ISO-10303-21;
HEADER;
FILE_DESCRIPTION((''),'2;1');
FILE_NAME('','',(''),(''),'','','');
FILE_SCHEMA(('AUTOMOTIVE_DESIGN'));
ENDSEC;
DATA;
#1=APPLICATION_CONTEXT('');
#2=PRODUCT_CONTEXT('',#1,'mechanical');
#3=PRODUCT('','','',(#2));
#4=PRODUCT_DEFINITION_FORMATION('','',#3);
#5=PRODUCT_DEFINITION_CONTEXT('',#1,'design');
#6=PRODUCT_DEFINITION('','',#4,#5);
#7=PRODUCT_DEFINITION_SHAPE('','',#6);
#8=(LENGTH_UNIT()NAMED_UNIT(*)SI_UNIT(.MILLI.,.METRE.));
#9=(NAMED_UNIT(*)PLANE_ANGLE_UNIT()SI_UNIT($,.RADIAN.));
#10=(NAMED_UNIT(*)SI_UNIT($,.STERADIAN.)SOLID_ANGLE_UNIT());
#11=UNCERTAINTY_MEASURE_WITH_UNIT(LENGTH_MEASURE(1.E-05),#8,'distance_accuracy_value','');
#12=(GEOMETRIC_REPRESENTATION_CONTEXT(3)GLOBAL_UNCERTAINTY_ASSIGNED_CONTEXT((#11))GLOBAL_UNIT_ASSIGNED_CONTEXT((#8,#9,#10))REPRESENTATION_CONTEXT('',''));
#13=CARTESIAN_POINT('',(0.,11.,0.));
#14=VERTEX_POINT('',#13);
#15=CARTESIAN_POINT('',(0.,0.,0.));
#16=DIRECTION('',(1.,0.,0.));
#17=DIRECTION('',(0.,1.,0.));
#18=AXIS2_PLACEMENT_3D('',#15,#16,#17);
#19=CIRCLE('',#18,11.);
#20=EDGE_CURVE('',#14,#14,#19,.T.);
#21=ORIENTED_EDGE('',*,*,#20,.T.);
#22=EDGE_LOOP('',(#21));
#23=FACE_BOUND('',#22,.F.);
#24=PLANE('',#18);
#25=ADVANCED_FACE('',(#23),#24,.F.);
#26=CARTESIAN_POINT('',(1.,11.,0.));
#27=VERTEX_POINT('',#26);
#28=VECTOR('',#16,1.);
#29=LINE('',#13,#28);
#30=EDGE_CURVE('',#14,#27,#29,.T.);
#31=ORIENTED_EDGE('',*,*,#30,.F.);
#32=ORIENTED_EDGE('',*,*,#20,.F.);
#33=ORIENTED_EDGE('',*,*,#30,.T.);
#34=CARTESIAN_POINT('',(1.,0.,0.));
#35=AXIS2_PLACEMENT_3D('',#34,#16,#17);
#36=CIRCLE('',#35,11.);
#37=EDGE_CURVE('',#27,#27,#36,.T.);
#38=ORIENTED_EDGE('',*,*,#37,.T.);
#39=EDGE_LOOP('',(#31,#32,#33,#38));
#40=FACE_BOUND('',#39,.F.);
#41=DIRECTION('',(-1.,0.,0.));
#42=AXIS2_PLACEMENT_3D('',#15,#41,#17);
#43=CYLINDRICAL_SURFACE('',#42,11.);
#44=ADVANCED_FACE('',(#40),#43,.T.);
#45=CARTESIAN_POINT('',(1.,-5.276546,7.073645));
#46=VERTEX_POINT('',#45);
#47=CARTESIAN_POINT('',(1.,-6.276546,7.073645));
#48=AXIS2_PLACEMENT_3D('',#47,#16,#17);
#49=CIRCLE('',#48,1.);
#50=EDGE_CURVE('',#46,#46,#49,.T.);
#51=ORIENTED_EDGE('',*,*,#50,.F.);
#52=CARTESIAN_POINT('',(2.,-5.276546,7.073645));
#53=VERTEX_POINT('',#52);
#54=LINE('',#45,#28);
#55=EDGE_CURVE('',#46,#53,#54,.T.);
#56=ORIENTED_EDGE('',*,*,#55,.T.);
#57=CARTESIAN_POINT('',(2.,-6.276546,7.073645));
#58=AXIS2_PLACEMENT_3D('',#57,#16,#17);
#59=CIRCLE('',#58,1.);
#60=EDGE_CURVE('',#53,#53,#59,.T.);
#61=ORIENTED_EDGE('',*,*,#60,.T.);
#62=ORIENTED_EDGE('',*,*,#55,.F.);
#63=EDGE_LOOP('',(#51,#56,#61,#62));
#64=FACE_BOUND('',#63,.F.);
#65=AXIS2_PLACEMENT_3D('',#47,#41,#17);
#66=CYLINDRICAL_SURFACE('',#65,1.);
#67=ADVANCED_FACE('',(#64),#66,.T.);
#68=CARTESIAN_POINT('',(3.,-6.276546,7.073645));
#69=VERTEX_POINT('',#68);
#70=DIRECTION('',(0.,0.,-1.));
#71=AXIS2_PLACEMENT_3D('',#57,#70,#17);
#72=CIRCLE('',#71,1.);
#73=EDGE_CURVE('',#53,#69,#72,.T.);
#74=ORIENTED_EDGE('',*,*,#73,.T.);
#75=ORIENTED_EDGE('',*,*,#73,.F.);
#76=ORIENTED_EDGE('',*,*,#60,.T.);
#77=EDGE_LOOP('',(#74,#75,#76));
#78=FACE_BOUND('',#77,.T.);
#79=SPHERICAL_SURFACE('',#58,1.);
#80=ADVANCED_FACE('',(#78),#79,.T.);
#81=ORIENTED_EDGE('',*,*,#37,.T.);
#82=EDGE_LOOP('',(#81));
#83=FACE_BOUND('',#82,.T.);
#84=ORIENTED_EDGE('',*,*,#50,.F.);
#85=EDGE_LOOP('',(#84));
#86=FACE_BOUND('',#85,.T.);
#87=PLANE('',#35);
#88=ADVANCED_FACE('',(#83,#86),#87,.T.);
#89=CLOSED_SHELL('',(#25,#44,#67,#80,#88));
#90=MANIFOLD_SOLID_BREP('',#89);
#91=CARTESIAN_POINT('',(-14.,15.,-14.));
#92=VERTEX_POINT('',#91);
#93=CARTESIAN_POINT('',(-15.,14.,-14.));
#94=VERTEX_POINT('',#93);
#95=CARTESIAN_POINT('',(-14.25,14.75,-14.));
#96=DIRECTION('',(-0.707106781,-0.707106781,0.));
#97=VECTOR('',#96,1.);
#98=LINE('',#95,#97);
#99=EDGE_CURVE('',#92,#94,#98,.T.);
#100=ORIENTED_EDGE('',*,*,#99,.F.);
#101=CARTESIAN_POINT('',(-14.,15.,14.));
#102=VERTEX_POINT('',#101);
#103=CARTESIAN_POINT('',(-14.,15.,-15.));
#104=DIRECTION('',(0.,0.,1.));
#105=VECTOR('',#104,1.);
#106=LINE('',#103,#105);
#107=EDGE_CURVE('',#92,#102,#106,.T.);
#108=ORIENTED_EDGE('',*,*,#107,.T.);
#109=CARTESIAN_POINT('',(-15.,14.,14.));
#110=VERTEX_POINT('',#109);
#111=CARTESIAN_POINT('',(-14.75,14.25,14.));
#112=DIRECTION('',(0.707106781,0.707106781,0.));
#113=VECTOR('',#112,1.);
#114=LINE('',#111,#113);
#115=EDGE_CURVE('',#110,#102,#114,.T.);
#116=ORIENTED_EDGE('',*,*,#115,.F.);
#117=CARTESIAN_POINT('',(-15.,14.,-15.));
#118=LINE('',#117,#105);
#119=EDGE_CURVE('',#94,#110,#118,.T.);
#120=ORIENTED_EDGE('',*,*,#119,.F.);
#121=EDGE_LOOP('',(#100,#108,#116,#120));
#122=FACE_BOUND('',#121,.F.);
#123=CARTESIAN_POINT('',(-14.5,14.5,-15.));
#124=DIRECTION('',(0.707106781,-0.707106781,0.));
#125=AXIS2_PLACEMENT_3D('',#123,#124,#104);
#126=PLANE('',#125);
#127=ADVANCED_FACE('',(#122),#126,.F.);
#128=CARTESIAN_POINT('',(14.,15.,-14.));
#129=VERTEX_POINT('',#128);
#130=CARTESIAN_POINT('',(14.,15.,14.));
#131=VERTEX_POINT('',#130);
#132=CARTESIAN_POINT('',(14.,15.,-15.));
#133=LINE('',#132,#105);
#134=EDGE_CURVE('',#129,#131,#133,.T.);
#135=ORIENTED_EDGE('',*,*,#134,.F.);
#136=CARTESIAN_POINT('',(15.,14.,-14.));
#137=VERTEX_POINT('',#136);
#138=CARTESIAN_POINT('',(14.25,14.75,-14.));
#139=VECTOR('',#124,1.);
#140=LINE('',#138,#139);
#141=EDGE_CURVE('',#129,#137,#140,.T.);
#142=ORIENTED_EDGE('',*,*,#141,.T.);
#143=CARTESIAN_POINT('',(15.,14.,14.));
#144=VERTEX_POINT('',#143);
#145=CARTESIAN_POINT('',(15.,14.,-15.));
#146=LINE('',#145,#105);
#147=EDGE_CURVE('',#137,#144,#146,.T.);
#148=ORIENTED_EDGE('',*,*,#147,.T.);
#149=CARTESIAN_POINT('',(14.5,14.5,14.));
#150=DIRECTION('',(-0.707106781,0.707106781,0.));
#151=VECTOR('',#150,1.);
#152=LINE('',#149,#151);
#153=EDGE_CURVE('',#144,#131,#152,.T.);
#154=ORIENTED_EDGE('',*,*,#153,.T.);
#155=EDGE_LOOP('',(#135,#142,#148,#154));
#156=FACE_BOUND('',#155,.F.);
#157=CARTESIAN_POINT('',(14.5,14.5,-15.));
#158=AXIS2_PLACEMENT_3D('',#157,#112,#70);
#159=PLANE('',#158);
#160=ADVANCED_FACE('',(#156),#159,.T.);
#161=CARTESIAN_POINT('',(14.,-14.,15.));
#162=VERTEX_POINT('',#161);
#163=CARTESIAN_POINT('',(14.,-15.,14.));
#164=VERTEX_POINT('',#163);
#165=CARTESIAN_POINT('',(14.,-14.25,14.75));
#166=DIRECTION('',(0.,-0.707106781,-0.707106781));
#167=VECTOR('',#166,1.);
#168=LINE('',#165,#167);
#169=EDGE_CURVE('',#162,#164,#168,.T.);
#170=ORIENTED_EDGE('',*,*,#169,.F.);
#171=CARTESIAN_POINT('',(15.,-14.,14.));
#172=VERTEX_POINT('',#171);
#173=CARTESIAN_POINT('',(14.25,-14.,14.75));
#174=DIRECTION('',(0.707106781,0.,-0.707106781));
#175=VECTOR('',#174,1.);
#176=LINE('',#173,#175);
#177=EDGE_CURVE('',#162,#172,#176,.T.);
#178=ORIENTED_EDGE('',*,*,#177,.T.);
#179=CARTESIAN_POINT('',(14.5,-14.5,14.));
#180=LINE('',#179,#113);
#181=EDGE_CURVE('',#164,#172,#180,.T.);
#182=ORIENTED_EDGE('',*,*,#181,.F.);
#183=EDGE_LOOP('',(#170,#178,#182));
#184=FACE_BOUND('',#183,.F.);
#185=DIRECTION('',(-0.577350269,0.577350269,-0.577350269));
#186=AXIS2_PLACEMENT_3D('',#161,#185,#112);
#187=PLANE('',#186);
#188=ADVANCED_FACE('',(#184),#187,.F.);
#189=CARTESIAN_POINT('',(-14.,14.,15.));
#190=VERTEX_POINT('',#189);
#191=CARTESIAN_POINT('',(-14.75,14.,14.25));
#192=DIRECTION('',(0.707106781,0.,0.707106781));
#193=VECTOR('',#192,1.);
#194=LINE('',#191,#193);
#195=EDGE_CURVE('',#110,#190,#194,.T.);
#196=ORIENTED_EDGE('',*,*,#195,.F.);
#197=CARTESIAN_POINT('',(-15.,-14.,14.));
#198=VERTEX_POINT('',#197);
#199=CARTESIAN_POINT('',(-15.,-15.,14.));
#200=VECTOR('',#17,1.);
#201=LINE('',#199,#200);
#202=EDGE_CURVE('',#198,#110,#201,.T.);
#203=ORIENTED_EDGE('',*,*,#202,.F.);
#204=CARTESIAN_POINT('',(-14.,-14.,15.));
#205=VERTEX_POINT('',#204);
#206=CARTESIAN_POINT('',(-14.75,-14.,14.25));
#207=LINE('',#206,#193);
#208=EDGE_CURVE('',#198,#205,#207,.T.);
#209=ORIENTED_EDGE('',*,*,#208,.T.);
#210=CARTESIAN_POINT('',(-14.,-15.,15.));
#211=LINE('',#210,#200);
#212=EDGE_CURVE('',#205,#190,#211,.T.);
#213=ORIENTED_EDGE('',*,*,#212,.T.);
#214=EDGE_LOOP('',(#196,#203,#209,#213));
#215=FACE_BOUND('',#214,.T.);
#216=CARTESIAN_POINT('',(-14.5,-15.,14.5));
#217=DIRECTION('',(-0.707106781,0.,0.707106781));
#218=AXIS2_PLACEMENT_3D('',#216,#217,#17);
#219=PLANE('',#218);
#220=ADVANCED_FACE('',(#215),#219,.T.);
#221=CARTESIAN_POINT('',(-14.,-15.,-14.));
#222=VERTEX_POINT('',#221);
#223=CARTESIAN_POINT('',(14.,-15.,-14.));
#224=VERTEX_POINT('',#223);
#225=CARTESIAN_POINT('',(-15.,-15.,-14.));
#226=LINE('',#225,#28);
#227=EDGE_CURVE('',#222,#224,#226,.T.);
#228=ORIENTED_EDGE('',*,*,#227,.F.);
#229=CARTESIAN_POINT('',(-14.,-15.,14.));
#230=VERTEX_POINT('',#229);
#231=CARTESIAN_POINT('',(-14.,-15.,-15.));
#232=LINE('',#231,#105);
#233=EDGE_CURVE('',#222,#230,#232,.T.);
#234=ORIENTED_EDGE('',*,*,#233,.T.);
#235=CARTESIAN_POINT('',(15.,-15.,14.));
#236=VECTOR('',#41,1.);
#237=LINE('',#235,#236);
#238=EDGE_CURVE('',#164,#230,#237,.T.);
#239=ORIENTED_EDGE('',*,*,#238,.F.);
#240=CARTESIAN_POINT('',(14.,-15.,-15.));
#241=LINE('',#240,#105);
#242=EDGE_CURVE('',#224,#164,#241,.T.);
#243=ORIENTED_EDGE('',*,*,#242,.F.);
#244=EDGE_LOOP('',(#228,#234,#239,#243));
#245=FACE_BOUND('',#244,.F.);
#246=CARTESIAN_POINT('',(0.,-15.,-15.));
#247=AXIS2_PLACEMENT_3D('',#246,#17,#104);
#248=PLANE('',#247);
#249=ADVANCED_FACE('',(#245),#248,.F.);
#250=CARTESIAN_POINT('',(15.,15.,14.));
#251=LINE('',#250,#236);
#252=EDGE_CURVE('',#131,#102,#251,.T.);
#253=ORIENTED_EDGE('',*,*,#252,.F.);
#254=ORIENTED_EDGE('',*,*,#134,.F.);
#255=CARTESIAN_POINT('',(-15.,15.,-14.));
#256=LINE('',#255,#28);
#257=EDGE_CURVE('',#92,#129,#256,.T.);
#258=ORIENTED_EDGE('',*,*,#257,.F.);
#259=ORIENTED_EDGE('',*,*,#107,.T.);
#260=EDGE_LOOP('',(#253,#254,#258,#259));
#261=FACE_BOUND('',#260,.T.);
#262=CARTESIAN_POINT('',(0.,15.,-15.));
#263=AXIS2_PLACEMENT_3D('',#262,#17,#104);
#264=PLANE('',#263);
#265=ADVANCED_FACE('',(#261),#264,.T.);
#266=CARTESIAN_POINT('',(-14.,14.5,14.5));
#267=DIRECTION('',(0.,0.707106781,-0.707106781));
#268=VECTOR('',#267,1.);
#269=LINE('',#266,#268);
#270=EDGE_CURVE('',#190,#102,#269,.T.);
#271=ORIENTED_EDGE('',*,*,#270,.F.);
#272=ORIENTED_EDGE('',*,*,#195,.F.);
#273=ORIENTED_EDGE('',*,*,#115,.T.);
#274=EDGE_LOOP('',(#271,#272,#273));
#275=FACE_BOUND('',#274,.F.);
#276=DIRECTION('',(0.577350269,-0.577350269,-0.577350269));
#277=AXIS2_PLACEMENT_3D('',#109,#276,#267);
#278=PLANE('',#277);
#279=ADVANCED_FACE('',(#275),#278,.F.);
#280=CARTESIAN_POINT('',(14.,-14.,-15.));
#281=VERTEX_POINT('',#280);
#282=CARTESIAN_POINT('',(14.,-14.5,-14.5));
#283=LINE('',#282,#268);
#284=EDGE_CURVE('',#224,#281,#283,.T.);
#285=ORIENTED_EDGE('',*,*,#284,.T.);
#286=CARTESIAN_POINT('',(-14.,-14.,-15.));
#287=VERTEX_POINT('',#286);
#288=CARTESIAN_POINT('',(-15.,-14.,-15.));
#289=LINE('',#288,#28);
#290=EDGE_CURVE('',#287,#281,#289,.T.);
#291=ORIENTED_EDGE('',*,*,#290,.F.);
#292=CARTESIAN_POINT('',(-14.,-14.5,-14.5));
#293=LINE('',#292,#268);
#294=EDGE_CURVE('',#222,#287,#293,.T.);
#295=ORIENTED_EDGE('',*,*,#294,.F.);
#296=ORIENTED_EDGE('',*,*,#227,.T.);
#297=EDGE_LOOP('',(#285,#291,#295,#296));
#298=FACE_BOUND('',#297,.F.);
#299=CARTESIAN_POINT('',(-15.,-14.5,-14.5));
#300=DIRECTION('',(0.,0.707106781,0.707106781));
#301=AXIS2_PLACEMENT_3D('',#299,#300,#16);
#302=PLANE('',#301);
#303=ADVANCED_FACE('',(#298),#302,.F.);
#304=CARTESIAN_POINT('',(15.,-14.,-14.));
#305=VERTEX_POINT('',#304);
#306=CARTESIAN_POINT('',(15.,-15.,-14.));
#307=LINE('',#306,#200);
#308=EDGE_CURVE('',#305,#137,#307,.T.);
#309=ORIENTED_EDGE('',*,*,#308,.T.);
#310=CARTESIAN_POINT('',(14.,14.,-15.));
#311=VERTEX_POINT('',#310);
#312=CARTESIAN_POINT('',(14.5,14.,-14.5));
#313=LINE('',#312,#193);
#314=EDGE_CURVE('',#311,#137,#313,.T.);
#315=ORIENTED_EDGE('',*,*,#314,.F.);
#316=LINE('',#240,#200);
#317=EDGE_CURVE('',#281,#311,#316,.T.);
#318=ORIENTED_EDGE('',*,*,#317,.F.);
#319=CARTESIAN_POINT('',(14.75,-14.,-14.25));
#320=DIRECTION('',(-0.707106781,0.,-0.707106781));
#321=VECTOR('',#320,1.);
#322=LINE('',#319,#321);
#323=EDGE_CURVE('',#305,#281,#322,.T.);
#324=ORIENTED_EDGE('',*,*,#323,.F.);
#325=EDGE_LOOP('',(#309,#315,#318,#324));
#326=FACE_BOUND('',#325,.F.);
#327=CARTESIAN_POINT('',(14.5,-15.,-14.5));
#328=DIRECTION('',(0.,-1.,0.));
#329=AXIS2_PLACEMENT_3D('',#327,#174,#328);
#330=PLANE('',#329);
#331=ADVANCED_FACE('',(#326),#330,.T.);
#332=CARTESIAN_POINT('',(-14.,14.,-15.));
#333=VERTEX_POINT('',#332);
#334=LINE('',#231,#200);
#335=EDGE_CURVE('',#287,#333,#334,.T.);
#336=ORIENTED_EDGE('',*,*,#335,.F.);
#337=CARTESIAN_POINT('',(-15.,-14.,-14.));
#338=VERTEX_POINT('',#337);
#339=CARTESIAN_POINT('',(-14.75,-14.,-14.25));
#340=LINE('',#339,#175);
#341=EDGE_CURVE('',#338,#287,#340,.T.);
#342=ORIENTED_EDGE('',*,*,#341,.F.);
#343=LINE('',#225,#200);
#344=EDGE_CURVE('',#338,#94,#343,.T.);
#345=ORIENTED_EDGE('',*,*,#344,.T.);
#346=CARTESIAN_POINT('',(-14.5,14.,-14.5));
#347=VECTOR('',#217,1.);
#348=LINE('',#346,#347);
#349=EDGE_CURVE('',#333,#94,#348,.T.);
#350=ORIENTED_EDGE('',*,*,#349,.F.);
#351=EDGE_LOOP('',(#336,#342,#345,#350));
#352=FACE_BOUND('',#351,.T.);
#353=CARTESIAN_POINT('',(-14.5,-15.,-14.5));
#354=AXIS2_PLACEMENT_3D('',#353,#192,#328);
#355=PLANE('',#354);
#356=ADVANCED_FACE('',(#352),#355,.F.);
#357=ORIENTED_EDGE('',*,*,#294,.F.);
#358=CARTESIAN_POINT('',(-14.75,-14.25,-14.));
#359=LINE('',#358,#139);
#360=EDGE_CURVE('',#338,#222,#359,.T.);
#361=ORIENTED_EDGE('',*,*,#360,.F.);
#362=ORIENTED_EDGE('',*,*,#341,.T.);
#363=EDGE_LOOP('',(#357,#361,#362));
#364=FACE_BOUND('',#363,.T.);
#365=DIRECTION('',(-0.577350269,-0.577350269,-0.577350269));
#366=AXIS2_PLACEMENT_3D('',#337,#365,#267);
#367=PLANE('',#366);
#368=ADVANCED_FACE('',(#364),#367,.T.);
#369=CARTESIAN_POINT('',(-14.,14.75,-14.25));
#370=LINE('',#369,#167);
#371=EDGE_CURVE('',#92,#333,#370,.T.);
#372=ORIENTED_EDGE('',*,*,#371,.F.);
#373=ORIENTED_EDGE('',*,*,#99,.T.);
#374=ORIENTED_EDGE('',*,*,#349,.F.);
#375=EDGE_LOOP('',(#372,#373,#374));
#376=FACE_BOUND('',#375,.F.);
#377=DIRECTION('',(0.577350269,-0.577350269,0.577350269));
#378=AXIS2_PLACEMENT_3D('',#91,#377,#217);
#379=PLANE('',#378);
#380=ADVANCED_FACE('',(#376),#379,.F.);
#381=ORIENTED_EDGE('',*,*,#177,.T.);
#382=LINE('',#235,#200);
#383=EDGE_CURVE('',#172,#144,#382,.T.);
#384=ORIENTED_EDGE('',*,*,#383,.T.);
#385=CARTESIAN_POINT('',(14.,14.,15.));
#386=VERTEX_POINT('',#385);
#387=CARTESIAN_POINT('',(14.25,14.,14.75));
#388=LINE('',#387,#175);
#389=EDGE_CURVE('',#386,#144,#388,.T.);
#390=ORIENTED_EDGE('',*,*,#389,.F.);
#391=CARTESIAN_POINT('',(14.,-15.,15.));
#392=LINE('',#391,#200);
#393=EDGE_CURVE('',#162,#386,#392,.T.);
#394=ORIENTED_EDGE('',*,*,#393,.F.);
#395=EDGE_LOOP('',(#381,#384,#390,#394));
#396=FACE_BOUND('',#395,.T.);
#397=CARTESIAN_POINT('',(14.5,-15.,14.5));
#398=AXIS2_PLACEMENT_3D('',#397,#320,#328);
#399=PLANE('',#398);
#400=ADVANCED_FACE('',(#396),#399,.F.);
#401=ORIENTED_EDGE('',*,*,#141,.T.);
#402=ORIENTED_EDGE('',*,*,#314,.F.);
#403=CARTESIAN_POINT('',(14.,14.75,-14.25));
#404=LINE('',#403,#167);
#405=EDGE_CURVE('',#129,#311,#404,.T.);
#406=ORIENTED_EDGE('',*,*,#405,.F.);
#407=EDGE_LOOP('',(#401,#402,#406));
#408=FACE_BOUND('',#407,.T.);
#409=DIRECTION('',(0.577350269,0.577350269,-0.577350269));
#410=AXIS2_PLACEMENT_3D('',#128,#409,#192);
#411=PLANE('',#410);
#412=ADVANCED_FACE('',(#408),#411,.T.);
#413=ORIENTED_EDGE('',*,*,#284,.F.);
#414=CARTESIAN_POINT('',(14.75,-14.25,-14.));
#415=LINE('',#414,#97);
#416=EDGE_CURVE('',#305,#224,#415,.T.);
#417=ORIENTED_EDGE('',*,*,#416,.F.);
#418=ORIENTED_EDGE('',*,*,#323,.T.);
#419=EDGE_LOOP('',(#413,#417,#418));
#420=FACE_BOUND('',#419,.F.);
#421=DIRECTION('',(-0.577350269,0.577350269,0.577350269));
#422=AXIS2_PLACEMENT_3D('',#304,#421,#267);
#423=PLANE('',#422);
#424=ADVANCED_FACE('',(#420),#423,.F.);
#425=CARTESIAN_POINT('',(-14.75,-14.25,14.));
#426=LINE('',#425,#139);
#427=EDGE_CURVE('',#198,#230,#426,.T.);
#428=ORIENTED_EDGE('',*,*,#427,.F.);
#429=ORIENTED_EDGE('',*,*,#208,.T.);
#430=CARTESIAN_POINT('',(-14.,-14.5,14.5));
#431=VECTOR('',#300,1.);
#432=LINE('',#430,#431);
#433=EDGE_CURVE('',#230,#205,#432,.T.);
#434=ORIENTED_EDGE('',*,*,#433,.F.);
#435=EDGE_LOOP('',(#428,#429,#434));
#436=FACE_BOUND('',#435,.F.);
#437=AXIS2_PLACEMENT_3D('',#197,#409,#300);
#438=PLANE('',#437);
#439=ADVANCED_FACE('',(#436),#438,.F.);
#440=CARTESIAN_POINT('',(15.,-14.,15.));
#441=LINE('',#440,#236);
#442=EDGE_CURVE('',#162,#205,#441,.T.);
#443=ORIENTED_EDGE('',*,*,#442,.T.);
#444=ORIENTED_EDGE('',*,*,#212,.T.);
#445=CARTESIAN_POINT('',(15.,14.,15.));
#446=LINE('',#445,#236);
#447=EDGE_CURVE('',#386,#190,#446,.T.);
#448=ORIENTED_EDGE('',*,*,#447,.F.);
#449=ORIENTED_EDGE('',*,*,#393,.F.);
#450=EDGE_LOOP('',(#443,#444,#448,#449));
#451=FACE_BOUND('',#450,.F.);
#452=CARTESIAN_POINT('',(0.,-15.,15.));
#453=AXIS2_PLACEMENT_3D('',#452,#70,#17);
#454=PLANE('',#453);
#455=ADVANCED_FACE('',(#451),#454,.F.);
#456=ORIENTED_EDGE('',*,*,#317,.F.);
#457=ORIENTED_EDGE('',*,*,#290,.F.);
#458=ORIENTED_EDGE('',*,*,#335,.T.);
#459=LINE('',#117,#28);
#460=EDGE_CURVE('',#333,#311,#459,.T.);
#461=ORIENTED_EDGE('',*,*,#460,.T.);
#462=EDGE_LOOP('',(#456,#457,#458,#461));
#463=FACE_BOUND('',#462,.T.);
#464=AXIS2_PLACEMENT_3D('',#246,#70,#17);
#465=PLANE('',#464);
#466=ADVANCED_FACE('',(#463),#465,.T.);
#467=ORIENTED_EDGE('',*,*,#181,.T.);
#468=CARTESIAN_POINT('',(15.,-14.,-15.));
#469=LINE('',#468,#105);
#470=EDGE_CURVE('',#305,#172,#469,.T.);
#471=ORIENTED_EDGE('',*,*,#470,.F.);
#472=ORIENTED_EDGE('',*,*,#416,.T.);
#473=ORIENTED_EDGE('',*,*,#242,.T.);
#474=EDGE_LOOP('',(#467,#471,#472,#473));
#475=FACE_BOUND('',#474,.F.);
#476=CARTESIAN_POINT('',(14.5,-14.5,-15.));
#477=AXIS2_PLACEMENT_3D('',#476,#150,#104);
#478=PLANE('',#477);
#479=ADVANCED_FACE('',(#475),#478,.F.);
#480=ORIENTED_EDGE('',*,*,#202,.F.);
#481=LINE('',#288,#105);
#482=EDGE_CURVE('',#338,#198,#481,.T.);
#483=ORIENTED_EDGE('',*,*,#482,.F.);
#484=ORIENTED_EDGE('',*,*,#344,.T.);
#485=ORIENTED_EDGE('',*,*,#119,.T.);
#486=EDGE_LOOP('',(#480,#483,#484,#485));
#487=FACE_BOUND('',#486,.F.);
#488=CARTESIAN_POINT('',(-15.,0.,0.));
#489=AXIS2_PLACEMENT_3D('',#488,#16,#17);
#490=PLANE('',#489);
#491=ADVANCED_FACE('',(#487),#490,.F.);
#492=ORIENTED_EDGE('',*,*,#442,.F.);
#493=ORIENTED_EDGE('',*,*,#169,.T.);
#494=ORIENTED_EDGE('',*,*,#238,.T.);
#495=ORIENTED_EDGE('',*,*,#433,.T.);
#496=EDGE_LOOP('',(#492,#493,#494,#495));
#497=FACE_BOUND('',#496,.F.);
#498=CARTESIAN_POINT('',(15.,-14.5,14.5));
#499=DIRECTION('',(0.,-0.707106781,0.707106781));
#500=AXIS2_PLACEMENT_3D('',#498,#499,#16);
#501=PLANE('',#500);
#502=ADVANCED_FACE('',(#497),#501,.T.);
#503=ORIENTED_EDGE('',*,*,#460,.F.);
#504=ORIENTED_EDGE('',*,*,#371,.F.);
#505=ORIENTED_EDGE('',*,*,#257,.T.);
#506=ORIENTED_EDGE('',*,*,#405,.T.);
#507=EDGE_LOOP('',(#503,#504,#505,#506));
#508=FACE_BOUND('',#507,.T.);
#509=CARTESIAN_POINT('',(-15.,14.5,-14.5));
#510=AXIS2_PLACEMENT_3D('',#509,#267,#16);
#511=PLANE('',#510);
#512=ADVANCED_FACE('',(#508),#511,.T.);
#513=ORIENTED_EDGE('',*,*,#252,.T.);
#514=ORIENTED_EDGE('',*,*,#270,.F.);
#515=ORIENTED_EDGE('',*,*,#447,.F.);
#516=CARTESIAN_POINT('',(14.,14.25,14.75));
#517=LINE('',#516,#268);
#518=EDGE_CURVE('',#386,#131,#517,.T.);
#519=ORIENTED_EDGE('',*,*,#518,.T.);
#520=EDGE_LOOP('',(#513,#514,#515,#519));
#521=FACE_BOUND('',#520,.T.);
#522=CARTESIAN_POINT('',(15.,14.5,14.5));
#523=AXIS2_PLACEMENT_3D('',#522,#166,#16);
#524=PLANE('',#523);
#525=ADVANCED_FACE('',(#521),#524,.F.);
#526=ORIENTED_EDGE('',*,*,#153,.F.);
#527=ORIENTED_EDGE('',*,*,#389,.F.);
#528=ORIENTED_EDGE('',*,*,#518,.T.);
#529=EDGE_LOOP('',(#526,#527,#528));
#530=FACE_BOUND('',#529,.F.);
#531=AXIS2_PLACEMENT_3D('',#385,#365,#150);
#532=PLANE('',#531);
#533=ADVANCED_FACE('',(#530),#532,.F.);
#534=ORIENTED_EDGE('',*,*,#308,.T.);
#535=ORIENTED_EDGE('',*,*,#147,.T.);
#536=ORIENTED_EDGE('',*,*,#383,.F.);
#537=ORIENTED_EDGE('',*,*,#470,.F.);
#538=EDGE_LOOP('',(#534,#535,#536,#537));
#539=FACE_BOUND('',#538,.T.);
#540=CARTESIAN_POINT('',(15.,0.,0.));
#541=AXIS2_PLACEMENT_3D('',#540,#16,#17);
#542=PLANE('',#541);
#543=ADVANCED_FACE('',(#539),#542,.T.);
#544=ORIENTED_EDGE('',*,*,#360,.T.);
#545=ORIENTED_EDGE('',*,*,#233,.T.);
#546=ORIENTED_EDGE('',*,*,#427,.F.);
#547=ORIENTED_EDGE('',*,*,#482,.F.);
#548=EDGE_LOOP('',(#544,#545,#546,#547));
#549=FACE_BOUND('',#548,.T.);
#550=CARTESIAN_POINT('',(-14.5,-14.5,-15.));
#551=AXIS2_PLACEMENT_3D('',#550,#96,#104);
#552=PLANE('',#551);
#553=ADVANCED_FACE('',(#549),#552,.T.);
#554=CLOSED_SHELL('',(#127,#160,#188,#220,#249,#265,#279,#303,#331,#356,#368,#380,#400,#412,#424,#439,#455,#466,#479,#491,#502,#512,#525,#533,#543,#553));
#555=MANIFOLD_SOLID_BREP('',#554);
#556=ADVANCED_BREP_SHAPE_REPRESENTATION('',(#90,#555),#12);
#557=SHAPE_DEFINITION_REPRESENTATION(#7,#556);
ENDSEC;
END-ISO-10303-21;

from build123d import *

# Parameters (mm, degrees)
F0_R     = 11
F1_DEPTH = 1
F2_R     = 1
F3_DEPTH = 2
F4_R     = 1
F5_W     = 30
F5_H     = 30
F6_DEPTH = 15
F7_SIZE  = 1


with BuildPart() as f1:
    # F0 (on Right) → F1 (new body)
    with BuildSketch(Plane.YZ):
        Circle(F0_R)
    extrude(amount=F1_DEPTH)

    # F2 (on face) → F3 (join)
    with BuildSketch(Plane.YZ.offset(1)):
        with Locations((-6.276546, 7.073645)):
            Circle(F2_R)
    extrude(amount=F3_DEPTH)

    # F4
    f4_edges = [f1.edges().sort_by_distance(p)[0] for p in [
        (3, -7.276546, 7.073645),
    ]]
    fillet(f4_edges, radius=F4_R)


with BuildPart() as f6:
    # F5 (on Right) → F6 (new body, symmetric)
    with BuildSketch(Plane.YZ):
        Rectangle(F5_W, F5_H)
    extrude(amount=F6_DEPTH, both=True)

    # F7
    f7_edges = [f6.edges().sort_by_distance(p)[0] for p in [
        (0, -15, -15),
        (15, -15, 0),
        (0, -15, 15),
        (-15, -15, 0),
        (-15, 0, -15),
        (15, 0, -15),
        (0, 15, -15),
        (15, 15, 0),
        (15, 0, 15),
        (0, 15, 15),
        (-15, 0, 15),
        (-15, 15, 0),
    ]]
    chamfer(f7_edges, length=F7_SIZE)


solid = Compound([f1.part, f6.part])
